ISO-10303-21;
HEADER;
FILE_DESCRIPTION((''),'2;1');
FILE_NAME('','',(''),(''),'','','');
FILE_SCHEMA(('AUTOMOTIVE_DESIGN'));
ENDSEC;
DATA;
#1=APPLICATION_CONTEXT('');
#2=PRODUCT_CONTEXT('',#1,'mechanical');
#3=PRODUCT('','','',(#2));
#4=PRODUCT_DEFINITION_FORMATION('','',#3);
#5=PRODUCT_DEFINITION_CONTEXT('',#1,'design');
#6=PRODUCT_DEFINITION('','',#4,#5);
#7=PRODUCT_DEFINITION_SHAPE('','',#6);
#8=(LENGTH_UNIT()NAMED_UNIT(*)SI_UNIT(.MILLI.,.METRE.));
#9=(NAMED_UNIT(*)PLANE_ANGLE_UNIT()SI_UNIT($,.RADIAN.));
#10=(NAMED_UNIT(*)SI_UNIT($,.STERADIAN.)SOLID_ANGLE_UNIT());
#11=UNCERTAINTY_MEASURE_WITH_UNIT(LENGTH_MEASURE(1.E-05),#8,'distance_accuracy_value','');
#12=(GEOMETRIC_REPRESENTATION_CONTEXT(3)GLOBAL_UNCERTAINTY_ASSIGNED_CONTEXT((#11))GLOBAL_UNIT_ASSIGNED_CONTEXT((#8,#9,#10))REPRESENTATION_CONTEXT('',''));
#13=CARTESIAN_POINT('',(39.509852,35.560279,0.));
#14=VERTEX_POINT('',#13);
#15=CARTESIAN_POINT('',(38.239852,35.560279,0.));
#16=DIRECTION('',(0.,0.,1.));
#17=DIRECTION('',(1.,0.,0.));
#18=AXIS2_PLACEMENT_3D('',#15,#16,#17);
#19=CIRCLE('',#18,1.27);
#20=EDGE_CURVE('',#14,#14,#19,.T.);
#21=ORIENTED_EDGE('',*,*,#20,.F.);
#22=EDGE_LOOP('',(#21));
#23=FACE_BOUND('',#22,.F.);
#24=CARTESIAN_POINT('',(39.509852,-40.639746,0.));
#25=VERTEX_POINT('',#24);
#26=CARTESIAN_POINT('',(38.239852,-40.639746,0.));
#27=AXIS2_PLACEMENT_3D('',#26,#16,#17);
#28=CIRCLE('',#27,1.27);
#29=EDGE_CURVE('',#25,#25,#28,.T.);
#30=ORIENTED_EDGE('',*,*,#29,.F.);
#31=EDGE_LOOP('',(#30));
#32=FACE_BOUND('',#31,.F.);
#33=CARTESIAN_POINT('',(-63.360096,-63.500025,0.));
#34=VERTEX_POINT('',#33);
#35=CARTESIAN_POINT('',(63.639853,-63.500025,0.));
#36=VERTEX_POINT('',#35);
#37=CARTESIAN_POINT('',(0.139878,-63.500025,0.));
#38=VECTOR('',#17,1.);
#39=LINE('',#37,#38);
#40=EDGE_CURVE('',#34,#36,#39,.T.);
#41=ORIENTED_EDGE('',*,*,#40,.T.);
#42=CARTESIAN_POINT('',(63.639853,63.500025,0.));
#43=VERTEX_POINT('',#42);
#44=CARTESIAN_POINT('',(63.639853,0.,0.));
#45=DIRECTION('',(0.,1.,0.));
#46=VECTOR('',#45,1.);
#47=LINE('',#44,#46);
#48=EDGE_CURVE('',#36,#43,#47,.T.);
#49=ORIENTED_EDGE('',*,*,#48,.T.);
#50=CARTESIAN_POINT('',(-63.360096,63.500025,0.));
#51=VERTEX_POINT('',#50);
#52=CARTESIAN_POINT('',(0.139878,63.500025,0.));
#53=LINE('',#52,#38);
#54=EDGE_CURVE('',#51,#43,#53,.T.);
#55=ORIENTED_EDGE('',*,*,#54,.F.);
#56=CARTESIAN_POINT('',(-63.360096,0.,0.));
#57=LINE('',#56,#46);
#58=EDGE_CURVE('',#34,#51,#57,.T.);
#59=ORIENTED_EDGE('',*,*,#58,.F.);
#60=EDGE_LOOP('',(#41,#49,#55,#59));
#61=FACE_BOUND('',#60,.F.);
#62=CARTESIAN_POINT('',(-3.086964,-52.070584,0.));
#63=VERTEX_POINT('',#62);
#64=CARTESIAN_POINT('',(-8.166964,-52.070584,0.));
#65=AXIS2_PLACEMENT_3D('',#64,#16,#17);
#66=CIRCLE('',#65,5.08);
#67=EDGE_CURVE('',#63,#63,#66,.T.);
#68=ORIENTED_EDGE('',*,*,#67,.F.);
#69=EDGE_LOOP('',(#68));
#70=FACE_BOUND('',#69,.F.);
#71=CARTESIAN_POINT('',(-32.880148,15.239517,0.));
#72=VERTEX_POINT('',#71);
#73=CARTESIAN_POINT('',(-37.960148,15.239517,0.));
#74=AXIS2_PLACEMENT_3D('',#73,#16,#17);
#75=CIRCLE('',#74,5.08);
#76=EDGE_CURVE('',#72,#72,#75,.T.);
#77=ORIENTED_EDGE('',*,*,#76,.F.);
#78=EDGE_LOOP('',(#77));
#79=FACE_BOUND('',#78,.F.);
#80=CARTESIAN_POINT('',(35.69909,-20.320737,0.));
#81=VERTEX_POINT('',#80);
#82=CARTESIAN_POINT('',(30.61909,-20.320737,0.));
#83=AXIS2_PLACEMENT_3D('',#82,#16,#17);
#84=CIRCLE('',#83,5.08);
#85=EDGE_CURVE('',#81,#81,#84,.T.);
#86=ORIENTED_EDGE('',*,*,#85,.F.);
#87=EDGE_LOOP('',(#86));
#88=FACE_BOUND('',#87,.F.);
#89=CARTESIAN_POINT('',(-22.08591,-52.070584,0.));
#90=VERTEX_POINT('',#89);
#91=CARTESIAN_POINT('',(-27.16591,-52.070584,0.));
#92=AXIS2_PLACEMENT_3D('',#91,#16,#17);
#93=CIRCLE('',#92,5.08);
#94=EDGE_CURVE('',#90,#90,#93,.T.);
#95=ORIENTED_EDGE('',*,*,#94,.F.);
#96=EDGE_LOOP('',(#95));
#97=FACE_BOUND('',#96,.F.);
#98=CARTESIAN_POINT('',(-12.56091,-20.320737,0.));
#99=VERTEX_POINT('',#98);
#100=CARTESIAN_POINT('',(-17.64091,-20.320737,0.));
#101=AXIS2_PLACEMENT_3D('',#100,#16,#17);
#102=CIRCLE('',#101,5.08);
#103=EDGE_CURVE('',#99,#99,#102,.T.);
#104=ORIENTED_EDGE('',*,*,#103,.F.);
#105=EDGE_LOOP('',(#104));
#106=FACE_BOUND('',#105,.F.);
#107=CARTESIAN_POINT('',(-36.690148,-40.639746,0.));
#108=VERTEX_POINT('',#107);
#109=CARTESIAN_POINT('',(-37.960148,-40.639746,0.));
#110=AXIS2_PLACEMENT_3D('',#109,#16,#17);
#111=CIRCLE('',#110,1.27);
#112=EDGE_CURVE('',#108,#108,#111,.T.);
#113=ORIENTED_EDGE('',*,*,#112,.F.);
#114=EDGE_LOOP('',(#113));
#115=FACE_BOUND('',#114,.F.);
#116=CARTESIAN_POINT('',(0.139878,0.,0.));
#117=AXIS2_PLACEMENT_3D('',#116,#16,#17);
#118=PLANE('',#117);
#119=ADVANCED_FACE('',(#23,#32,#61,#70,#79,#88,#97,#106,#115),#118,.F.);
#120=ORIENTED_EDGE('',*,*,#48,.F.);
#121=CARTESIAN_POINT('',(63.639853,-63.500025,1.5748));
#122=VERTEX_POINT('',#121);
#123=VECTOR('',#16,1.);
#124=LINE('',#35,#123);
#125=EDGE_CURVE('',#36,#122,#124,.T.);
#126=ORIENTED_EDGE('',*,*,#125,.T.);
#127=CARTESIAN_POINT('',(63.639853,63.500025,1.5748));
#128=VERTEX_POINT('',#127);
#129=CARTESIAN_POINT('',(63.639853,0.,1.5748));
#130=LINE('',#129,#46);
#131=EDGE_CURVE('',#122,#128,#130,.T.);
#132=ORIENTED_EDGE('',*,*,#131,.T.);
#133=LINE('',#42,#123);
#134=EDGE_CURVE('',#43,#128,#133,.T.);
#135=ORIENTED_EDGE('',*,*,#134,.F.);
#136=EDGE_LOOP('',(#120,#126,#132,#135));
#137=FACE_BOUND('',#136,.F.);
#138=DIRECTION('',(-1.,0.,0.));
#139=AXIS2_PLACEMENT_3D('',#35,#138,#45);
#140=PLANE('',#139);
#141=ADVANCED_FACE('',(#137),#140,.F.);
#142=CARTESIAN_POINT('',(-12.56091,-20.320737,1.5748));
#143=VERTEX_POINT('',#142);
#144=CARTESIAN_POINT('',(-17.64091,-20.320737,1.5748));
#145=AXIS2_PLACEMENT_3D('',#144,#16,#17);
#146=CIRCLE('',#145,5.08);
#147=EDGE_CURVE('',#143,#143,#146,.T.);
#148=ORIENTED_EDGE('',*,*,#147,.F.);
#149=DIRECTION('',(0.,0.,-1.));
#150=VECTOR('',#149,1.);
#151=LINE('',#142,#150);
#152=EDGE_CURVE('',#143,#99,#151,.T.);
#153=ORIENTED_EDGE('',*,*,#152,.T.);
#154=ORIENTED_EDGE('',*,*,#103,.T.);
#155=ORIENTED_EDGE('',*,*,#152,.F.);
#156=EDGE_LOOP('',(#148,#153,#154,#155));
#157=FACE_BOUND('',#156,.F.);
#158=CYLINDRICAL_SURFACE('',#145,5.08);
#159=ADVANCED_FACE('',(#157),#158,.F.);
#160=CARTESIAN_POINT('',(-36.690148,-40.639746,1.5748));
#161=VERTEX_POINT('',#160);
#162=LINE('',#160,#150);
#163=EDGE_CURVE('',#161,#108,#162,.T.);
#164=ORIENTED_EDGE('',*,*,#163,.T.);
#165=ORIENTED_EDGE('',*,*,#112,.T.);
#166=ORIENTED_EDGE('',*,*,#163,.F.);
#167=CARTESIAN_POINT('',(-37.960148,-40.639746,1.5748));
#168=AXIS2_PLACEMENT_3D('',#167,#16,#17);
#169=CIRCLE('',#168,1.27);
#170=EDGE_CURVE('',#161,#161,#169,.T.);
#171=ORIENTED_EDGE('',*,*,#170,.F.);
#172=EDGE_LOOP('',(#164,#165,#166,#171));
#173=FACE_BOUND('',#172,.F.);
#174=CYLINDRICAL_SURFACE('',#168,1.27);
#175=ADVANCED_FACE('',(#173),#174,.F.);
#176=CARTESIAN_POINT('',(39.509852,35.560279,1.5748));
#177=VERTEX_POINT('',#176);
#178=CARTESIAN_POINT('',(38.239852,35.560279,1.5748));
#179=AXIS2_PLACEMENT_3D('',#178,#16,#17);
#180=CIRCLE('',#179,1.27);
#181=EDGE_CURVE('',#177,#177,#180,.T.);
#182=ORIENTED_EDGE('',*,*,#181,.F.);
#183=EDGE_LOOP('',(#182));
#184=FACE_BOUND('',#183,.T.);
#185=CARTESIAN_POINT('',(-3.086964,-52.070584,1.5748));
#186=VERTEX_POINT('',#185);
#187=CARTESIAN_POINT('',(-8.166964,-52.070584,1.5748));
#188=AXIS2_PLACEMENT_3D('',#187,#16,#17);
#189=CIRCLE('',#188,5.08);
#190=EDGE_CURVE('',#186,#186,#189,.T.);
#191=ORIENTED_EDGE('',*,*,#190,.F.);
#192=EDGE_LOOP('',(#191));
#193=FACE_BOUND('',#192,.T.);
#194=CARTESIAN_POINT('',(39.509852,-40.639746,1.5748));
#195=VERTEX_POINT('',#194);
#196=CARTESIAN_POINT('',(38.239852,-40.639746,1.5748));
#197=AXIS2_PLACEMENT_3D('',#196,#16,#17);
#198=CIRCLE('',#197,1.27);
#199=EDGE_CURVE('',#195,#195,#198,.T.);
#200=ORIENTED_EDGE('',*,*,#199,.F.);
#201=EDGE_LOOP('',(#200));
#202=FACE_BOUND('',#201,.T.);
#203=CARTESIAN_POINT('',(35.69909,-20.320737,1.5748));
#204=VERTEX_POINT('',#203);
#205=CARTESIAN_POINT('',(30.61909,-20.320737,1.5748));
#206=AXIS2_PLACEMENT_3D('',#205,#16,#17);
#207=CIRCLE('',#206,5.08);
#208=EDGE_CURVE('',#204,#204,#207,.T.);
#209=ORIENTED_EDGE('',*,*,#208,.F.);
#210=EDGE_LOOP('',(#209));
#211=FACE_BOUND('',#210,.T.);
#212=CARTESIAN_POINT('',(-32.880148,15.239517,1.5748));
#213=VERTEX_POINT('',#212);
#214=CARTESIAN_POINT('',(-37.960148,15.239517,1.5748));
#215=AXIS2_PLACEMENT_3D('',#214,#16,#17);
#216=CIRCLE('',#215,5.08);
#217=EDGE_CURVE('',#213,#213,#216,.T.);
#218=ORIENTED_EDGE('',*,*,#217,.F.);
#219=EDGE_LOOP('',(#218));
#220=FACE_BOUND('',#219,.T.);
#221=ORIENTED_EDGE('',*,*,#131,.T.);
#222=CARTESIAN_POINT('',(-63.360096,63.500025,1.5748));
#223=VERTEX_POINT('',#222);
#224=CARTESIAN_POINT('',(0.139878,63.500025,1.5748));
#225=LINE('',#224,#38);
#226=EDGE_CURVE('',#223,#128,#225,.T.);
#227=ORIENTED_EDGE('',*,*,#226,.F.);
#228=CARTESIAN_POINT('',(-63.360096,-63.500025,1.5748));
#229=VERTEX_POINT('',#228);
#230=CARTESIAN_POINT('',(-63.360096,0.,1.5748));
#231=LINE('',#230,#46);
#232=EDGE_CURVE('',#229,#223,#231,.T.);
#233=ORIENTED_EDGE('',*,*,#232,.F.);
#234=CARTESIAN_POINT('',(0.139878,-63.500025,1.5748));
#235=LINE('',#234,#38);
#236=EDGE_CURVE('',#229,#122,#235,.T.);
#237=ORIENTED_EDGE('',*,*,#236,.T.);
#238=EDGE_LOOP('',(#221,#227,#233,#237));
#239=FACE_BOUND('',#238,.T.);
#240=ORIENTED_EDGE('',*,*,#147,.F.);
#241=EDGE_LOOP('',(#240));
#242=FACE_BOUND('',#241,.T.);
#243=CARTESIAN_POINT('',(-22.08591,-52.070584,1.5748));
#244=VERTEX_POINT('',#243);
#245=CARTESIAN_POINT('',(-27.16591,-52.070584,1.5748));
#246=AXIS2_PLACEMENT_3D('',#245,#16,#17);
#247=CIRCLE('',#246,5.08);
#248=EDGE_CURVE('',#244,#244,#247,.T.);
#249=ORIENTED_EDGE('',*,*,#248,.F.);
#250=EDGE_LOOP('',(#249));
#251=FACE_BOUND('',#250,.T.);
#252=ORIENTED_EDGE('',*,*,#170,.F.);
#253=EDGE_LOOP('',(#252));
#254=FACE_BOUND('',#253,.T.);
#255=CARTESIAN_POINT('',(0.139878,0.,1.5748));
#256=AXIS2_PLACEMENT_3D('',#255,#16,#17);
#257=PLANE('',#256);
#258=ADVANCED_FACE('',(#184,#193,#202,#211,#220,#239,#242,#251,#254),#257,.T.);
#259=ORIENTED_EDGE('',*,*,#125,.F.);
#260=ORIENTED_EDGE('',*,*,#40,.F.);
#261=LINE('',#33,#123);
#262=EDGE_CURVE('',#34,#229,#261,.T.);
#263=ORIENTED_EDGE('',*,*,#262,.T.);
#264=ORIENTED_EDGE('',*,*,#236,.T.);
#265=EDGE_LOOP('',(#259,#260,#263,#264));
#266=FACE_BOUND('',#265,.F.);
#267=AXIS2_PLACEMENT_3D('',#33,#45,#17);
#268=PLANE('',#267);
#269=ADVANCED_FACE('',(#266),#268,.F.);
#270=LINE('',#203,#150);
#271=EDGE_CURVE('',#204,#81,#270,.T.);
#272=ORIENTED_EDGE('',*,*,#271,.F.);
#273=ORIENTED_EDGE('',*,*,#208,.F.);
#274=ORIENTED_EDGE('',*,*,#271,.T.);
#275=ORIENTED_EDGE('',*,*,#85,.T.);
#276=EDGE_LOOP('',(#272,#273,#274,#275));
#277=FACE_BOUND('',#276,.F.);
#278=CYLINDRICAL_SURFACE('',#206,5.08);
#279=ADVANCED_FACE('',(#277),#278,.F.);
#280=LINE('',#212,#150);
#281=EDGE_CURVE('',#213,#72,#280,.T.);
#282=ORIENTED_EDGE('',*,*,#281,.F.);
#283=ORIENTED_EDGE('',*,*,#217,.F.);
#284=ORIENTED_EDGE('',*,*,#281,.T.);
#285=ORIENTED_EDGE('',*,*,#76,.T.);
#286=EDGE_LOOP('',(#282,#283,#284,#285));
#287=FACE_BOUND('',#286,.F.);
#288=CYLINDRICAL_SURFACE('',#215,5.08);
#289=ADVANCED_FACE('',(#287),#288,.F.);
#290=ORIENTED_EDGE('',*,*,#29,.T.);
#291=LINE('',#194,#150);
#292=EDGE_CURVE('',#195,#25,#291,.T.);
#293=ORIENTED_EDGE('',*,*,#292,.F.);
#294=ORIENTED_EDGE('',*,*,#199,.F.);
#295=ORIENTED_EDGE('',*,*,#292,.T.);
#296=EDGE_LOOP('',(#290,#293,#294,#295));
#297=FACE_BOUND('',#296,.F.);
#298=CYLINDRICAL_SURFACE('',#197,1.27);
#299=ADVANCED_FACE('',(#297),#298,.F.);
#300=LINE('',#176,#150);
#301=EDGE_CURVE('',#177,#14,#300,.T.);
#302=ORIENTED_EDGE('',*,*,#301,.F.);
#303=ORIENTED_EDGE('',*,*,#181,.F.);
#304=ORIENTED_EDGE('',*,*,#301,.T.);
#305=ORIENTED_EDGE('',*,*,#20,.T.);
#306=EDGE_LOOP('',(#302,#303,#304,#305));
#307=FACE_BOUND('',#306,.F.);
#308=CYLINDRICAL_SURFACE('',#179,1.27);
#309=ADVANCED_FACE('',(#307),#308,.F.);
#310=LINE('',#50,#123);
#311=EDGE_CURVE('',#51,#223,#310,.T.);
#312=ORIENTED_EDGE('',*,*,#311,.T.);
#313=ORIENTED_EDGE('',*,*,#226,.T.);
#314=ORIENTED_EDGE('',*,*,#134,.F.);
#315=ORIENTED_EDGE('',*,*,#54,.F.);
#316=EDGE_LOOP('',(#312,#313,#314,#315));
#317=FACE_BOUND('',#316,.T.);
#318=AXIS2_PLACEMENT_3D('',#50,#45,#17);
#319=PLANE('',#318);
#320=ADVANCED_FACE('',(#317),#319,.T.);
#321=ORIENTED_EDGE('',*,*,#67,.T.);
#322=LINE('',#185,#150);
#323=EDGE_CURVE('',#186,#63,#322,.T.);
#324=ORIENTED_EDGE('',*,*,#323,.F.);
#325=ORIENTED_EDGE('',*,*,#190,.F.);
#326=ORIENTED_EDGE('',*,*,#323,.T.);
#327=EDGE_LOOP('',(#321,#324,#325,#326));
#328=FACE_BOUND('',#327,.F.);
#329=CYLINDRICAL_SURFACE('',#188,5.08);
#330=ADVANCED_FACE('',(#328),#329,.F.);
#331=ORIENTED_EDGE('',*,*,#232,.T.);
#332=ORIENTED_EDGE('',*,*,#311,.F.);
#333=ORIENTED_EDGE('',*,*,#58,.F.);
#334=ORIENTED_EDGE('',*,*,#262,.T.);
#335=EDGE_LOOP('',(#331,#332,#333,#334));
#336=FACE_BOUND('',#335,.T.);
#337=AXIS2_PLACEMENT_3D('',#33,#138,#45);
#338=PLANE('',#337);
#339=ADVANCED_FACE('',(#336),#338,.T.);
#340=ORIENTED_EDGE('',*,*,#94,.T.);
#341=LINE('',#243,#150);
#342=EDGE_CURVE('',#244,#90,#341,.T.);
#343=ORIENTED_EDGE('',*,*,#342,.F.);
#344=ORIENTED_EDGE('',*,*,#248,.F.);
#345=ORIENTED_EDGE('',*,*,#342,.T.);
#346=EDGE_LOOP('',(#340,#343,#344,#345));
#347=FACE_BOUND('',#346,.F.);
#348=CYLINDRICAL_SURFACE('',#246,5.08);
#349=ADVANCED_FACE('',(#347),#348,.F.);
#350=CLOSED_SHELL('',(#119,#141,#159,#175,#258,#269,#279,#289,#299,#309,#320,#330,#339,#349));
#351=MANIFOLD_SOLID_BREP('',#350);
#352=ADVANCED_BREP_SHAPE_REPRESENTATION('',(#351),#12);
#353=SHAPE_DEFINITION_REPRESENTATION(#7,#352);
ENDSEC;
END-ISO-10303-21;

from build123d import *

# Parameters (mm, degrees)
F1_W     = 126.999949
F1_H     = 127.00005
F2_DEPTH = 1.5748
F3_R     = 5.08
F3_R_2   = 1.27
F4_DEPTH = 1.5758


with BuildPart() as f2:
    # F1 (on Top) → F2 (new body)
    with BuildSketch(Plane.XY):
        with Locations((0.139878, 0)):
            Rectangle(F1_W, F1_H)
    extrude(amount=F2_DEPTH)

    # F3 (on face) → F4 (cut, through all)
    with BuildSketch(Plane.XY.offset(1.5748)):
        with Locations((-27.16591, -52.070584)):
            Circle(F3_R)
        with Locations((-8.166964, -52.070584)):
            Circle(F3_R)
        with Locations((-37.960148, -40.639746)):
            Circle(F3_R_2)
        with Locations((38.239852, -40.639746)):
            Circle(F3_R_2)
        with Locations((38.239852, 35.560279)):
            Circle(F3_R_2)
        with Locations((-17.64091, -20.320737)):
            Circle(F3_R)
        with Locations((30.61909, -20.320737)):
            Circle(F3_R)
        with Locations((-37.960148, 15.239517)):
            Circle(F3_R)
    extrude(amount=-F4_DEPTH, mode=Mode.SUBTRACT)


solid = f2.part
